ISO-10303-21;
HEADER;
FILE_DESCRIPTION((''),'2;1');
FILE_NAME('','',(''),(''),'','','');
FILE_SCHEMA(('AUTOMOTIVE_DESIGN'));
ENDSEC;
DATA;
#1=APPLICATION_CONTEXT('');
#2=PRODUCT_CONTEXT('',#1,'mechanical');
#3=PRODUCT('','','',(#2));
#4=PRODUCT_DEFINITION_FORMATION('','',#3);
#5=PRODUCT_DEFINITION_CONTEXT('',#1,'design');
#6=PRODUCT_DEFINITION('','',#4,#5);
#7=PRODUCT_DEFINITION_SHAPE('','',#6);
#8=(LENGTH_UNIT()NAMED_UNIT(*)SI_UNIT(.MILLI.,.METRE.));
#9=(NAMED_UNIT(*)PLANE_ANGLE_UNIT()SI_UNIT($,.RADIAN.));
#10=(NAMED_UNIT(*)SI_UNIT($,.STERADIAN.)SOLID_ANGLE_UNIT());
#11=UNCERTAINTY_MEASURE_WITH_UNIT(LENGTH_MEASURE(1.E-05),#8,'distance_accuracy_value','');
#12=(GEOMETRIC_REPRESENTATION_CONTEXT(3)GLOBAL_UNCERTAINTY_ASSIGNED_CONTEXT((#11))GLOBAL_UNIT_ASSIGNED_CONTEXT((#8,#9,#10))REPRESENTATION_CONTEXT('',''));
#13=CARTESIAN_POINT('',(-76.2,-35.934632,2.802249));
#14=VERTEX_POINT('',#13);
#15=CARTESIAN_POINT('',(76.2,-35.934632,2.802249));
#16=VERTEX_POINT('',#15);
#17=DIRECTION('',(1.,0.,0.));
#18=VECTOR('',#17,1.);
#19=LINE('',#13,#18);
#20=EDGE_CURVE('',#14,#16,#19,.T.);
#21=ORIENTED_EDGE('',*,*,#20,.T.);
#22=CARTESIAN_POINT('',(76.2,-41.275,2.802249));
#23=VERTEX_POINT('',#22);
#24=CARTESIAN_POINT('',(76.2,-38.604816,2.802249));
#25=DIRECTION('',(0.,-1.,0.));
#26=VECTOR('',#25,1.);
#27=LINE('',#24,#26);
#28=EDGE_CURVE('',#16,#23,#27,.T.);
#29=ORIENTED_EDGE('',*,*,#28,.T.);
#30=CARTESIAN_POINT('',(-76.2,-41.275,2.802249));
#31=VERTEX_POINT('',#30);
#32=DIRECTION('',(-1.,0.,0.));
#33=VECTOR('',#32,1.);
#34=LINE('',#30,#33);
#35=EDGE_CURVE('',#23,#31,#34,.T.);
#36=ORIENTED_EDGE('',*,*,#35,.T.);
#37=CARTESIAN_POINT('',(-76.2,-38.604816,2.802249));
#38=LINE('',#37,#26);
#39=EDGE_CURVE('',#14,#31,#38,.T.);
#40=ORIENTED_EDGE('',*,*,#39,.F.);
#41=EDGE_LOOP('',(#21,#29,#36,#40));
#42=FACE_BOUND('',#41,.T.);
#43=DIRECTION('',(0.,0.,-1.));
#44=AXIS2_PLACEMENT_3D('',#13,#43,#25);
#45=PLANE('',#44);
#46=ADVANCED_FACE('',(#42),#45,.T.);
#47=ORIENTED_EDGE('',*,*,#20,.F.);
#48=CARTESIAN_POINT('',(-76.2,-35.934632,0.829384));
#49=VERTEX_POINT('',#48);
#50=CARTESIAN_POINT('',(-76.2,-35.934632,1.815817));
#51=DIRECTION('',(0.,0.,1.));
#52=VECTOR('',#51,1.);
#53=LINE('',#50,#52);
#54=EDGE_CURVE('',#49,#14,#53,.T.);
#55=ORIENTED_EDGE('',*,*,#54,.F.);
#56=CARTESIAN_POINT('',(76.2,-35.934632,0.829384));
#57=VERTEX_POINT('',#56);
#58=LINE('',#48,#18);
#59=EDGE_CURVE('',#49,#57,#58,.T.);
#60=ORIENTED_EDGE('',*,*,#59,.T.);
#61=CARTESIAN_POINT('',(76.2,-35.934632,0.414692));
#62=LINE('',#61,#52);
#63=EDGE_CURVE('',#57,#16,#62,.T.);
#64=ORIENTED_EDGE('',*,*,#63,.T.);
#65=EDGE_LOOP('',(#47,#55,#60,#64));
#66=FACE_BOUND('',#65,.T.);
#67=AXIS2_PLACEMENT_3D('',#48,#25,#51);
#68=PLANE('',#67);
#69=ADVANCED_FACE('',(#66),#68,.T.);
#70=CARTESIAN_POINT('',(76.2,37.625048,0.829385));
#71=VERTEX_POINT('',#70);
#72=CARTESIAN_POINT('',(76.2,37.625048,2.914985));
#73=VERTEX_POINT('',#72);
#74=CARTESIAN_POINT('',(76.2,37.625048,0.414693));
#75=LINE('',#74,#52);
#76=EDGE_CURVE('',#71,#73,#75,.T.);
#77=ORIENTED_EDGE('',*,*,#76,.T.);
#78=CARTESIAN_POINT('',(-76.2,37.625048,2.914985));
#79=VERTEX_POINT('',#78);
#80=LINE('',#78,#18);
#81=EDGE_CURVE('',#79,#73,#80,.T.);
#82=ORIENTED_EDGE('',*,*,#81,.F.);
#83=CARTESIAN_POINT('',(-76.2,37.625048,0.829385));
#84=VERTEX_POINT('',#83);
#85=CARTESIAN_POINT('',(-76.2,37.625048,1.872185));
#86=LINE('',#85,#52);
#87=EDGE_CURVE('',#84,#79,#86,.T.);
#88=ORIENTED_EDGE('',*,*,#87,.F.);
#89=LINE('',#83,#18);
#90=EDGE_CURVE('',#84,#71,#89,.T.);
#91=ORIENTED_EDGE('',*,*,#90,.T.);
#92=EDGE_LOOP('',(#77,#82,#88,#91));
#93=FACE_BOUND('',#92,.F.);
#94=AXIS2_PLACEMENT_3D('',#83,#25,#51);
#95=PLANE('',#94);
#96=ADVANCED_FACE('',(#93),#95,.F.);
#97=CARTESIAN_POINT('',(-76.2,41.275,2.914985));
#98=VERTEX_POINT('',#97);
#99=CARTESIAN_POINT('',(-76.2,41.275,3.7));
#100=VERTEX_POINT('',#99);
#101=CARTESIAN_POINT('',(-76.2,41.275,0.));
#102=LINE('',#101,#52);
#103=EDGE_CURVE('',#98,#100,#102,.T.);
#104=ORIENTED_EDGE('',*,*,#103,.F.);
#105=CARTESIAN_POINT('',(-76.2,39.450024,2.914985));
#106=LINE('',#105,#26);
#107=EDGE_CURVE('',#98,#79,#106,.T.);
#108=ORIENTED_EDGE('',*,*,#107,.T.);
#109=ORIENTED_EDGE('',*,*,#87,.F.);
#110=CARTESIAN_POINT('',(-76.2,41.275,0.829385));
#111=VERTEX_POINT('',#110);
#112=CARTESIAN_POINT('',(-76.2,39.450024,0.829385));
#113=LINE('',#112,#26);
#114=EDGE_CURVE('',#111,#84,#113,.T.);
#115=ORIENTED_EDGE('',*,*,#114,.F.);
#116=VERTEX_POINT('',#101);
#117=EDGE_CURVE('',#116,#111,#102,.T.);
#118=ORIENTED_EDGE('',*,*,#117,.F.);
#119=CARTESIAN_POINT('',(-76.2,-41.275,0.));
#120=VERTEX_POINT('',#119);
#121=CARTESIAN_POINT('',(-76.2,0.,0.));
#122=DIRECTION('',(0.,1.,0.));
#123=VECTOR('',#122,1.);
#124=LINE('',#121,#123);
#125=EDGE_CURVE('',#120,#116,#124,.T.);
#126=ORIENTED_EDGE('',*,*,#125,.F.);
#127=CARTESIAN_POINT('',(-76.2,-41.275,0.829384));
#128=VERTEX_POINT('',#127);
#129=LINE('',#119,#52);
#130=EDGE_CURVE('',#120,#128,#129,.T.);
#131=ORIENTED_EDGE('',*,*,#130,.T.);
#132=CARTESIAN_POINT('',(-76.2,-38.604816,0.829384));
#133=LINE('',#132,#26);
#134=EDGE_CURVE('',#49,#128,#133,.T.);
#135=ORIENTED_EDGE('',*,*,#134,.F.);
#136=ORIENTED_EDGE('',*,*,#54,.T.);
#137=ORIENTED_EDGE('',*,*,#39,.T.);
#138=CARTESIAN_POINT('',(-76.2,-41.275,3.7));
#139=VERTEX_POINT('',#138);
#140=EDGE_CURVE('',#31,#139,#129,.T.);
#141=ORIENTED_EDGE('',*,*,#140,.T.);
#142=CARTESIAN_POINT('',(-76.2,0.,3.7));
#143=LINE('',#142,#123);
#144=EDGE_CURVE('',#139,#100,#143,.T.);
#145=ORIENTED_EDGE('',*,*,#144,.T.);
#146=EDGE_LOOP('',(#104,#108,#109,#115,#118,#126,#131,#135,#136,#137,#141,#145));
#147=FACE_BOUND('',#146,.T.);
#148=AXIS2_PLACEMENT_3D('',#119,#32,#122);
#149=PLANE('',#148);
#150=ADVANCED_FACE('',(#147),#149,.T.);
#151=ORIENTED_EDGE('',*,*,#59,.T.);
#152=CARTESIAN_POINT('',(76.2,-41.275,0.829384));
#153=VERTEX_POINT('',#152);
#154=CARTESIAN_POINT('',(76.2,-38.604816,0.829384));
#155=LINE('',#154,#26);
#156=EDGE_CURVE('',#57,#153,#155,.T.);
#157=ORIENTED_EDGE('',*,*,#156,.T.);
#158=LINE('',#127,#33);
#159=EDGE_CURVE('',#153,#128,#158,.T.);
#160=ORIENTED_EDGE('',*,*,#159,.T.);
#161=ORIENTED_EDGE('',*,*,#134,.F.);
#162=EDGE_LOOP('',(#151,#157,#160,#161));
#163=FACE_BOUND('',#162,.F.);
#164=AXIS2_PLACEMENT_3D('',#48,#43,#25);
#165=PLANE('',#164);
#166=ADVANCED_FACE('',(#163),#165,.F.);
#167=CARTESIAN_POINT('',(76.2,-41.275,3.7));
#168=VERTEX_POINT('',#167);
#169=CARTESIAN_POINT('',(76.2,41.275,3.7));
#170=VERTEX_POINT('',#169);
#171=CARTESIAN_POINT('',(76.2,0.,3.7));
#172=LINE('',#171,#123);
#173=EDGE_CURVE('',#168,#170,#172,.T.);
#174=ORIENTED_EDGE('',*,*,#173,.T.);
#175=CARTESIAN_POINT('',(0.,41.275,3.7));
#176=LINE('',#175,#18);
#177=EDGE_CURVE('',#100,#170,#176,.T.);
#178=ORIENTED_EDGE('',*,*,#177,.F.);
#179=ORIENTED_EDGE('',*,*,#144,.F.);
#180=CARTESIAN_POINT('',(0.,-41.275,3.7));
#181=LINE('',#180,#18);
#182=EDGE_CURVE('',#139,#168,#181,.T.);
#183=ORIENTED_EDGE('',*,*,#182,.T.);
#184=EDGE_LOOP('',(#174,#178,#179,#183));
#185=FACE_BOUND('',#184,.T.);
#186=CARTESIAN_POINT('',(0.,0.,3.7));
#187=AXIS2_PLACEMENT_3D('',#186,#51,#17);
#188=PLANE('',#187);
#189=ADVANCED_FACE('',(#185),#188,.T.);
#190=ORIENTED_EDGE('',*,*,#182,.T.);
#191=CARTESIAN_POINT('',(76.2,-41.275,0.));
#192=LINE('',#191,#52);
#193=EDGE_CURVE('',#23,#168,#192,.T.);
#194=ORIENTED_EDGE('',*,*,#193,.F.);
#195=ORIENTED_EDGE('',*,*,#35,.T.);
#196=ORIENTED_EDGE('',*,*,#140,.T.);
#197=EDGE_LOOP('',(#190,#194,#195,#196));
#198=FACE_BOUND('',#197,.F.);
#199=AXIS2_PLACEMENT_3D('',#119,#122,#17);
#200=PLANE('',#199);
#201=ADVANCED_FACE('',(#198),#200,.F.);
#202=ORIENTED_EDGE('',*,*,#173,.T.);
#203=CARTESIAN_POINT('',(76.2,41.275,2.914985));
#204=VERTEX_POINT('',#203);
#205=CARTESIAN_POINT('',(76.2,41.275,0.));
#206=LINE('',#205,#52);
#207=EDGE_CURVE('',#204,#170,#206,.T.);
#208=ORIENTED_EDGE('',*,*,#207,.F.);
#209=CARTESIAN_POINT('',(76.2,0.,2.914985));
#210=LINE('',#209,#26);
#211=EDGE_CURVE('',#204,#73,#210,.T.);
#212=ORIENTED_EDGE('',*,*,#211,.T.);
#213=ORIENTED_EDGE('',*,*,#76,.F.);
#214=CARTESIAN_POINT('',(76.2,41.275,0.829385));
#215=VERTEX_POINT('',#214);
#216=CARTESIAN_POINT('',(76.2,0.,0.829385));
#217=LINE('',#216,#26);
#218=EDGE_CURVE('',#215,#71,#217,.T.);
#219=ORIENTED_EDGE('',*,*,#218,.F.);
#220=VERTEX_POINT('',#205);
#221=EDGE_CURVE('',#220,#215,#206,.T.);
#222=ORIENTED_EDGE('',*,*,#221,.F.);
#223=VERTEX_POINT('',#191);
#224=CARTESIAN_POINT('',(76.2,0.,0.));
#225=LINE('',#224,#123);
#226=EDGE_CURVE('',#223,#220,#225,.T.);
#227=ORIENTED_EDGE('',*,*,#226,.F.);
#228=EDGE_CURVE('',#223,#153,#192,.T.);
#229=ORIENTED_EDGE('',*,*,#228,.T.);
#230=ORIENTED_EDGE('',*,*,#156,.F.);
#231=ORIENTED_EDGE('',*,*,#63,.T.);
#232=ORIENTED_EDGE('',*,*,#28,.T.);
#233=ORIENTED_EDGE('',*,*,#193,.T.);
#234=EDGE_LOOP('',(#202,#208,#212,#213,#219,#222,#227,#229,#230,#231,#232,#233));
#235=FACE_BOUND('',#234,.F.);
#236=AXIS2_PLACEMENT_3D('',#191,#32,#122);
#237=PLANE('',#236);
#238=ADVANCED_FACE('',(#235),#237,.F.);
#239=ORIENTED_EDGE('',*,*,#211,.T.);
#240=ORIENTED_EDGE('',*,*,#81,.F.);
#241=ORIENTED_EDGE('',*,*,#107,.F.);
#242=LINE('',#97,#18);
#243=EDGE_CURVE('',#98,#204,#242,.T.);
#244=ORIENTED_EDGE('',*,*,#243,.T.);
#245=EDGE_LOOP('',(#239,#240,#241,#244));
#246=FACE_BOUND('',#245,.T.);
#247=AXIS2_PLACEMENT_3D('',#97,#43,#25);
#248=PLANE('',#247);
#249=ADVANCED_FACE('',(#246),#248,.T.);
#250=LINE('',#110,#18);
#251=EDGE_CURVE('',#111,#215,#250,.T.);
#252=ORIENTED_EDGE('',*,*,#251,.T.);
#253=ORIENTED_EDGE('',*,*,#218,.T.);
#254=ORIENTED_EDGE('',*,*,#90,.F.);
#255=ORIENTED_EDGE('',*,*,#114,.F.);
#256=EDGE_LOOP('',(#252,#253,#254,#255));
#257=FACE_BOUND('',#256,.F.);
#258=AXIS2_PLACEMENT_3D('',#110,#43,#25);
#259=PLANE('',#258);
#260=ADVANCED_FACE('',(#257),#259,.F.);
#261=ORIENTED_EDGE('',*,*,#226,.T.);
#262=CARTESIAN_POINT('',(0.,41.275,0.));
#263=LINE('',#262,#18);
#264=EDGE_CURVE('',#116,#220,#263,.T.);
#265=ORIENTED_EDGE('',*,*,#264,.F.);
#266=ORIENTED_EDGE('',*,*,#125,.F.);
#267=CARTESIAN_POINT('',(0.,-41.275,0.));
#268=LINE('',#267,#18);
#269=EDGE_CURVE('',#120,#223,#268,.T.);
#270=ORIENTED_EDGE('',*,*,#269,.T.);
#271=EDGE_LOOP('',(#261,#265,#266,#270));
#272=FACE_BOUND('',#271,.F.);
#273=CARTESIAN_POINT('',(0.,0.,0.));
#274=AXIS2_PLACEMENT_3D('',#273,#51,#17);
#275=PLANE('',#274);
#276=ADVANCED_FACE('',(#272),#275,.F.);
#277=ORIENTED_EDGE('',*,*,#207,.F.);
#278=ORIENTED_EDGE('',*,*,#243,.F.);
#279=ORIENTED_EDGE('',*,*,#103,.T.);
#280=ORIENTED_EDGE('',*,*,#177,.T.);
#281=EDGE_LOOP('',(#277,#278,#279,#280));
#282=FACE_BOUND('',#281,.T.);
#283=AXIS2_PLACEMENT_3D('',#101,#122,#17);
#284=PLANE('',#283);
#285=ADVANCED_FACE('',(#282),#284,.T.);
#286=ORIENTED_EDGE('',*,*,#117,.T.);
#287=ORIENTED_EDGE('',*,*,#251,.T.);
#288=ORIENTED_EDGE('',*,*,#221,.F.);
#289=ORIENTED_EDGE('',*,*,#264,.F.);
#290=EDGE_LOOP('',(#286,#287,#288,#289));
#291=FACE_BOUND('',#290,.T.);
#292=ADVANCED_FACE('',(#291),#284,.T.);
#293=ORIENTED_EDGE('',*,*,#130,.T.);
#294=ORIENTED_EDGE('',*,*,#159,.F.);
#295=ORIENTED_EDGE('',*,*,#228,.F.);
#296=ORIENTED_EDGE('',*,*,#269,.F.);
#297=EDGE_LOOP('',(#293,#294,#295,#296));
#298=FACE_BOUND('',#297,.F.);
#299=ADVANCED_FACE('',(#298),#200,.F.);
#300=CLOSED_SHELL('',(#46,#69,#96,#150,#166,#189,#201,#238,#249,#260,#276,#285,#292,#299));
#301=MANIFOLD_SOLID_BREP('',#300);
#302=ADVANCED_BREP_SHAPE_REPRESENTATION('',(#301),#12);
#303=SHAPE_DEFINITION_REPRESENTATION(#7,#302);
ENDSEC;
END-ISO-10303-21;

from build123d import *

# Parameters (mm, degrees)
F0_W     = 152.4
F0_H     = 82.55
F1_DEPTH = 3.7
F2_W     = 3.649952
F2_H     = 2.0856
F2_W_2   = 5.340369
F2_H_2   = 1.972865
F3_DEPTH = 167.386


with BuildPart() as f1:
    # F0 (on Top) → F1 (new body)
    with BuildSketch(Plane.XY):
        Rectangle(F0_W, F0_H)
    extrude(amount=F1_DEPTH)

    # F2 (on face) → F3 (cut)
    with BuildSketch(Plane(origin=(-76.2, 0, 0), x_dir=(0, -1, 0), z_dir=(-1, 0, 0))):
        with Locations((-39.450024, 1.872185)):
            Rectangle(F2_W, F2_H)
        with Locations((38.604816, 1.815817)):
            Rectangle(F2_W_2, F2_H_2)
    extrude(amount=-F3_DEPTH, mode=Mode.SUBTRACT)


solid = f1.part
